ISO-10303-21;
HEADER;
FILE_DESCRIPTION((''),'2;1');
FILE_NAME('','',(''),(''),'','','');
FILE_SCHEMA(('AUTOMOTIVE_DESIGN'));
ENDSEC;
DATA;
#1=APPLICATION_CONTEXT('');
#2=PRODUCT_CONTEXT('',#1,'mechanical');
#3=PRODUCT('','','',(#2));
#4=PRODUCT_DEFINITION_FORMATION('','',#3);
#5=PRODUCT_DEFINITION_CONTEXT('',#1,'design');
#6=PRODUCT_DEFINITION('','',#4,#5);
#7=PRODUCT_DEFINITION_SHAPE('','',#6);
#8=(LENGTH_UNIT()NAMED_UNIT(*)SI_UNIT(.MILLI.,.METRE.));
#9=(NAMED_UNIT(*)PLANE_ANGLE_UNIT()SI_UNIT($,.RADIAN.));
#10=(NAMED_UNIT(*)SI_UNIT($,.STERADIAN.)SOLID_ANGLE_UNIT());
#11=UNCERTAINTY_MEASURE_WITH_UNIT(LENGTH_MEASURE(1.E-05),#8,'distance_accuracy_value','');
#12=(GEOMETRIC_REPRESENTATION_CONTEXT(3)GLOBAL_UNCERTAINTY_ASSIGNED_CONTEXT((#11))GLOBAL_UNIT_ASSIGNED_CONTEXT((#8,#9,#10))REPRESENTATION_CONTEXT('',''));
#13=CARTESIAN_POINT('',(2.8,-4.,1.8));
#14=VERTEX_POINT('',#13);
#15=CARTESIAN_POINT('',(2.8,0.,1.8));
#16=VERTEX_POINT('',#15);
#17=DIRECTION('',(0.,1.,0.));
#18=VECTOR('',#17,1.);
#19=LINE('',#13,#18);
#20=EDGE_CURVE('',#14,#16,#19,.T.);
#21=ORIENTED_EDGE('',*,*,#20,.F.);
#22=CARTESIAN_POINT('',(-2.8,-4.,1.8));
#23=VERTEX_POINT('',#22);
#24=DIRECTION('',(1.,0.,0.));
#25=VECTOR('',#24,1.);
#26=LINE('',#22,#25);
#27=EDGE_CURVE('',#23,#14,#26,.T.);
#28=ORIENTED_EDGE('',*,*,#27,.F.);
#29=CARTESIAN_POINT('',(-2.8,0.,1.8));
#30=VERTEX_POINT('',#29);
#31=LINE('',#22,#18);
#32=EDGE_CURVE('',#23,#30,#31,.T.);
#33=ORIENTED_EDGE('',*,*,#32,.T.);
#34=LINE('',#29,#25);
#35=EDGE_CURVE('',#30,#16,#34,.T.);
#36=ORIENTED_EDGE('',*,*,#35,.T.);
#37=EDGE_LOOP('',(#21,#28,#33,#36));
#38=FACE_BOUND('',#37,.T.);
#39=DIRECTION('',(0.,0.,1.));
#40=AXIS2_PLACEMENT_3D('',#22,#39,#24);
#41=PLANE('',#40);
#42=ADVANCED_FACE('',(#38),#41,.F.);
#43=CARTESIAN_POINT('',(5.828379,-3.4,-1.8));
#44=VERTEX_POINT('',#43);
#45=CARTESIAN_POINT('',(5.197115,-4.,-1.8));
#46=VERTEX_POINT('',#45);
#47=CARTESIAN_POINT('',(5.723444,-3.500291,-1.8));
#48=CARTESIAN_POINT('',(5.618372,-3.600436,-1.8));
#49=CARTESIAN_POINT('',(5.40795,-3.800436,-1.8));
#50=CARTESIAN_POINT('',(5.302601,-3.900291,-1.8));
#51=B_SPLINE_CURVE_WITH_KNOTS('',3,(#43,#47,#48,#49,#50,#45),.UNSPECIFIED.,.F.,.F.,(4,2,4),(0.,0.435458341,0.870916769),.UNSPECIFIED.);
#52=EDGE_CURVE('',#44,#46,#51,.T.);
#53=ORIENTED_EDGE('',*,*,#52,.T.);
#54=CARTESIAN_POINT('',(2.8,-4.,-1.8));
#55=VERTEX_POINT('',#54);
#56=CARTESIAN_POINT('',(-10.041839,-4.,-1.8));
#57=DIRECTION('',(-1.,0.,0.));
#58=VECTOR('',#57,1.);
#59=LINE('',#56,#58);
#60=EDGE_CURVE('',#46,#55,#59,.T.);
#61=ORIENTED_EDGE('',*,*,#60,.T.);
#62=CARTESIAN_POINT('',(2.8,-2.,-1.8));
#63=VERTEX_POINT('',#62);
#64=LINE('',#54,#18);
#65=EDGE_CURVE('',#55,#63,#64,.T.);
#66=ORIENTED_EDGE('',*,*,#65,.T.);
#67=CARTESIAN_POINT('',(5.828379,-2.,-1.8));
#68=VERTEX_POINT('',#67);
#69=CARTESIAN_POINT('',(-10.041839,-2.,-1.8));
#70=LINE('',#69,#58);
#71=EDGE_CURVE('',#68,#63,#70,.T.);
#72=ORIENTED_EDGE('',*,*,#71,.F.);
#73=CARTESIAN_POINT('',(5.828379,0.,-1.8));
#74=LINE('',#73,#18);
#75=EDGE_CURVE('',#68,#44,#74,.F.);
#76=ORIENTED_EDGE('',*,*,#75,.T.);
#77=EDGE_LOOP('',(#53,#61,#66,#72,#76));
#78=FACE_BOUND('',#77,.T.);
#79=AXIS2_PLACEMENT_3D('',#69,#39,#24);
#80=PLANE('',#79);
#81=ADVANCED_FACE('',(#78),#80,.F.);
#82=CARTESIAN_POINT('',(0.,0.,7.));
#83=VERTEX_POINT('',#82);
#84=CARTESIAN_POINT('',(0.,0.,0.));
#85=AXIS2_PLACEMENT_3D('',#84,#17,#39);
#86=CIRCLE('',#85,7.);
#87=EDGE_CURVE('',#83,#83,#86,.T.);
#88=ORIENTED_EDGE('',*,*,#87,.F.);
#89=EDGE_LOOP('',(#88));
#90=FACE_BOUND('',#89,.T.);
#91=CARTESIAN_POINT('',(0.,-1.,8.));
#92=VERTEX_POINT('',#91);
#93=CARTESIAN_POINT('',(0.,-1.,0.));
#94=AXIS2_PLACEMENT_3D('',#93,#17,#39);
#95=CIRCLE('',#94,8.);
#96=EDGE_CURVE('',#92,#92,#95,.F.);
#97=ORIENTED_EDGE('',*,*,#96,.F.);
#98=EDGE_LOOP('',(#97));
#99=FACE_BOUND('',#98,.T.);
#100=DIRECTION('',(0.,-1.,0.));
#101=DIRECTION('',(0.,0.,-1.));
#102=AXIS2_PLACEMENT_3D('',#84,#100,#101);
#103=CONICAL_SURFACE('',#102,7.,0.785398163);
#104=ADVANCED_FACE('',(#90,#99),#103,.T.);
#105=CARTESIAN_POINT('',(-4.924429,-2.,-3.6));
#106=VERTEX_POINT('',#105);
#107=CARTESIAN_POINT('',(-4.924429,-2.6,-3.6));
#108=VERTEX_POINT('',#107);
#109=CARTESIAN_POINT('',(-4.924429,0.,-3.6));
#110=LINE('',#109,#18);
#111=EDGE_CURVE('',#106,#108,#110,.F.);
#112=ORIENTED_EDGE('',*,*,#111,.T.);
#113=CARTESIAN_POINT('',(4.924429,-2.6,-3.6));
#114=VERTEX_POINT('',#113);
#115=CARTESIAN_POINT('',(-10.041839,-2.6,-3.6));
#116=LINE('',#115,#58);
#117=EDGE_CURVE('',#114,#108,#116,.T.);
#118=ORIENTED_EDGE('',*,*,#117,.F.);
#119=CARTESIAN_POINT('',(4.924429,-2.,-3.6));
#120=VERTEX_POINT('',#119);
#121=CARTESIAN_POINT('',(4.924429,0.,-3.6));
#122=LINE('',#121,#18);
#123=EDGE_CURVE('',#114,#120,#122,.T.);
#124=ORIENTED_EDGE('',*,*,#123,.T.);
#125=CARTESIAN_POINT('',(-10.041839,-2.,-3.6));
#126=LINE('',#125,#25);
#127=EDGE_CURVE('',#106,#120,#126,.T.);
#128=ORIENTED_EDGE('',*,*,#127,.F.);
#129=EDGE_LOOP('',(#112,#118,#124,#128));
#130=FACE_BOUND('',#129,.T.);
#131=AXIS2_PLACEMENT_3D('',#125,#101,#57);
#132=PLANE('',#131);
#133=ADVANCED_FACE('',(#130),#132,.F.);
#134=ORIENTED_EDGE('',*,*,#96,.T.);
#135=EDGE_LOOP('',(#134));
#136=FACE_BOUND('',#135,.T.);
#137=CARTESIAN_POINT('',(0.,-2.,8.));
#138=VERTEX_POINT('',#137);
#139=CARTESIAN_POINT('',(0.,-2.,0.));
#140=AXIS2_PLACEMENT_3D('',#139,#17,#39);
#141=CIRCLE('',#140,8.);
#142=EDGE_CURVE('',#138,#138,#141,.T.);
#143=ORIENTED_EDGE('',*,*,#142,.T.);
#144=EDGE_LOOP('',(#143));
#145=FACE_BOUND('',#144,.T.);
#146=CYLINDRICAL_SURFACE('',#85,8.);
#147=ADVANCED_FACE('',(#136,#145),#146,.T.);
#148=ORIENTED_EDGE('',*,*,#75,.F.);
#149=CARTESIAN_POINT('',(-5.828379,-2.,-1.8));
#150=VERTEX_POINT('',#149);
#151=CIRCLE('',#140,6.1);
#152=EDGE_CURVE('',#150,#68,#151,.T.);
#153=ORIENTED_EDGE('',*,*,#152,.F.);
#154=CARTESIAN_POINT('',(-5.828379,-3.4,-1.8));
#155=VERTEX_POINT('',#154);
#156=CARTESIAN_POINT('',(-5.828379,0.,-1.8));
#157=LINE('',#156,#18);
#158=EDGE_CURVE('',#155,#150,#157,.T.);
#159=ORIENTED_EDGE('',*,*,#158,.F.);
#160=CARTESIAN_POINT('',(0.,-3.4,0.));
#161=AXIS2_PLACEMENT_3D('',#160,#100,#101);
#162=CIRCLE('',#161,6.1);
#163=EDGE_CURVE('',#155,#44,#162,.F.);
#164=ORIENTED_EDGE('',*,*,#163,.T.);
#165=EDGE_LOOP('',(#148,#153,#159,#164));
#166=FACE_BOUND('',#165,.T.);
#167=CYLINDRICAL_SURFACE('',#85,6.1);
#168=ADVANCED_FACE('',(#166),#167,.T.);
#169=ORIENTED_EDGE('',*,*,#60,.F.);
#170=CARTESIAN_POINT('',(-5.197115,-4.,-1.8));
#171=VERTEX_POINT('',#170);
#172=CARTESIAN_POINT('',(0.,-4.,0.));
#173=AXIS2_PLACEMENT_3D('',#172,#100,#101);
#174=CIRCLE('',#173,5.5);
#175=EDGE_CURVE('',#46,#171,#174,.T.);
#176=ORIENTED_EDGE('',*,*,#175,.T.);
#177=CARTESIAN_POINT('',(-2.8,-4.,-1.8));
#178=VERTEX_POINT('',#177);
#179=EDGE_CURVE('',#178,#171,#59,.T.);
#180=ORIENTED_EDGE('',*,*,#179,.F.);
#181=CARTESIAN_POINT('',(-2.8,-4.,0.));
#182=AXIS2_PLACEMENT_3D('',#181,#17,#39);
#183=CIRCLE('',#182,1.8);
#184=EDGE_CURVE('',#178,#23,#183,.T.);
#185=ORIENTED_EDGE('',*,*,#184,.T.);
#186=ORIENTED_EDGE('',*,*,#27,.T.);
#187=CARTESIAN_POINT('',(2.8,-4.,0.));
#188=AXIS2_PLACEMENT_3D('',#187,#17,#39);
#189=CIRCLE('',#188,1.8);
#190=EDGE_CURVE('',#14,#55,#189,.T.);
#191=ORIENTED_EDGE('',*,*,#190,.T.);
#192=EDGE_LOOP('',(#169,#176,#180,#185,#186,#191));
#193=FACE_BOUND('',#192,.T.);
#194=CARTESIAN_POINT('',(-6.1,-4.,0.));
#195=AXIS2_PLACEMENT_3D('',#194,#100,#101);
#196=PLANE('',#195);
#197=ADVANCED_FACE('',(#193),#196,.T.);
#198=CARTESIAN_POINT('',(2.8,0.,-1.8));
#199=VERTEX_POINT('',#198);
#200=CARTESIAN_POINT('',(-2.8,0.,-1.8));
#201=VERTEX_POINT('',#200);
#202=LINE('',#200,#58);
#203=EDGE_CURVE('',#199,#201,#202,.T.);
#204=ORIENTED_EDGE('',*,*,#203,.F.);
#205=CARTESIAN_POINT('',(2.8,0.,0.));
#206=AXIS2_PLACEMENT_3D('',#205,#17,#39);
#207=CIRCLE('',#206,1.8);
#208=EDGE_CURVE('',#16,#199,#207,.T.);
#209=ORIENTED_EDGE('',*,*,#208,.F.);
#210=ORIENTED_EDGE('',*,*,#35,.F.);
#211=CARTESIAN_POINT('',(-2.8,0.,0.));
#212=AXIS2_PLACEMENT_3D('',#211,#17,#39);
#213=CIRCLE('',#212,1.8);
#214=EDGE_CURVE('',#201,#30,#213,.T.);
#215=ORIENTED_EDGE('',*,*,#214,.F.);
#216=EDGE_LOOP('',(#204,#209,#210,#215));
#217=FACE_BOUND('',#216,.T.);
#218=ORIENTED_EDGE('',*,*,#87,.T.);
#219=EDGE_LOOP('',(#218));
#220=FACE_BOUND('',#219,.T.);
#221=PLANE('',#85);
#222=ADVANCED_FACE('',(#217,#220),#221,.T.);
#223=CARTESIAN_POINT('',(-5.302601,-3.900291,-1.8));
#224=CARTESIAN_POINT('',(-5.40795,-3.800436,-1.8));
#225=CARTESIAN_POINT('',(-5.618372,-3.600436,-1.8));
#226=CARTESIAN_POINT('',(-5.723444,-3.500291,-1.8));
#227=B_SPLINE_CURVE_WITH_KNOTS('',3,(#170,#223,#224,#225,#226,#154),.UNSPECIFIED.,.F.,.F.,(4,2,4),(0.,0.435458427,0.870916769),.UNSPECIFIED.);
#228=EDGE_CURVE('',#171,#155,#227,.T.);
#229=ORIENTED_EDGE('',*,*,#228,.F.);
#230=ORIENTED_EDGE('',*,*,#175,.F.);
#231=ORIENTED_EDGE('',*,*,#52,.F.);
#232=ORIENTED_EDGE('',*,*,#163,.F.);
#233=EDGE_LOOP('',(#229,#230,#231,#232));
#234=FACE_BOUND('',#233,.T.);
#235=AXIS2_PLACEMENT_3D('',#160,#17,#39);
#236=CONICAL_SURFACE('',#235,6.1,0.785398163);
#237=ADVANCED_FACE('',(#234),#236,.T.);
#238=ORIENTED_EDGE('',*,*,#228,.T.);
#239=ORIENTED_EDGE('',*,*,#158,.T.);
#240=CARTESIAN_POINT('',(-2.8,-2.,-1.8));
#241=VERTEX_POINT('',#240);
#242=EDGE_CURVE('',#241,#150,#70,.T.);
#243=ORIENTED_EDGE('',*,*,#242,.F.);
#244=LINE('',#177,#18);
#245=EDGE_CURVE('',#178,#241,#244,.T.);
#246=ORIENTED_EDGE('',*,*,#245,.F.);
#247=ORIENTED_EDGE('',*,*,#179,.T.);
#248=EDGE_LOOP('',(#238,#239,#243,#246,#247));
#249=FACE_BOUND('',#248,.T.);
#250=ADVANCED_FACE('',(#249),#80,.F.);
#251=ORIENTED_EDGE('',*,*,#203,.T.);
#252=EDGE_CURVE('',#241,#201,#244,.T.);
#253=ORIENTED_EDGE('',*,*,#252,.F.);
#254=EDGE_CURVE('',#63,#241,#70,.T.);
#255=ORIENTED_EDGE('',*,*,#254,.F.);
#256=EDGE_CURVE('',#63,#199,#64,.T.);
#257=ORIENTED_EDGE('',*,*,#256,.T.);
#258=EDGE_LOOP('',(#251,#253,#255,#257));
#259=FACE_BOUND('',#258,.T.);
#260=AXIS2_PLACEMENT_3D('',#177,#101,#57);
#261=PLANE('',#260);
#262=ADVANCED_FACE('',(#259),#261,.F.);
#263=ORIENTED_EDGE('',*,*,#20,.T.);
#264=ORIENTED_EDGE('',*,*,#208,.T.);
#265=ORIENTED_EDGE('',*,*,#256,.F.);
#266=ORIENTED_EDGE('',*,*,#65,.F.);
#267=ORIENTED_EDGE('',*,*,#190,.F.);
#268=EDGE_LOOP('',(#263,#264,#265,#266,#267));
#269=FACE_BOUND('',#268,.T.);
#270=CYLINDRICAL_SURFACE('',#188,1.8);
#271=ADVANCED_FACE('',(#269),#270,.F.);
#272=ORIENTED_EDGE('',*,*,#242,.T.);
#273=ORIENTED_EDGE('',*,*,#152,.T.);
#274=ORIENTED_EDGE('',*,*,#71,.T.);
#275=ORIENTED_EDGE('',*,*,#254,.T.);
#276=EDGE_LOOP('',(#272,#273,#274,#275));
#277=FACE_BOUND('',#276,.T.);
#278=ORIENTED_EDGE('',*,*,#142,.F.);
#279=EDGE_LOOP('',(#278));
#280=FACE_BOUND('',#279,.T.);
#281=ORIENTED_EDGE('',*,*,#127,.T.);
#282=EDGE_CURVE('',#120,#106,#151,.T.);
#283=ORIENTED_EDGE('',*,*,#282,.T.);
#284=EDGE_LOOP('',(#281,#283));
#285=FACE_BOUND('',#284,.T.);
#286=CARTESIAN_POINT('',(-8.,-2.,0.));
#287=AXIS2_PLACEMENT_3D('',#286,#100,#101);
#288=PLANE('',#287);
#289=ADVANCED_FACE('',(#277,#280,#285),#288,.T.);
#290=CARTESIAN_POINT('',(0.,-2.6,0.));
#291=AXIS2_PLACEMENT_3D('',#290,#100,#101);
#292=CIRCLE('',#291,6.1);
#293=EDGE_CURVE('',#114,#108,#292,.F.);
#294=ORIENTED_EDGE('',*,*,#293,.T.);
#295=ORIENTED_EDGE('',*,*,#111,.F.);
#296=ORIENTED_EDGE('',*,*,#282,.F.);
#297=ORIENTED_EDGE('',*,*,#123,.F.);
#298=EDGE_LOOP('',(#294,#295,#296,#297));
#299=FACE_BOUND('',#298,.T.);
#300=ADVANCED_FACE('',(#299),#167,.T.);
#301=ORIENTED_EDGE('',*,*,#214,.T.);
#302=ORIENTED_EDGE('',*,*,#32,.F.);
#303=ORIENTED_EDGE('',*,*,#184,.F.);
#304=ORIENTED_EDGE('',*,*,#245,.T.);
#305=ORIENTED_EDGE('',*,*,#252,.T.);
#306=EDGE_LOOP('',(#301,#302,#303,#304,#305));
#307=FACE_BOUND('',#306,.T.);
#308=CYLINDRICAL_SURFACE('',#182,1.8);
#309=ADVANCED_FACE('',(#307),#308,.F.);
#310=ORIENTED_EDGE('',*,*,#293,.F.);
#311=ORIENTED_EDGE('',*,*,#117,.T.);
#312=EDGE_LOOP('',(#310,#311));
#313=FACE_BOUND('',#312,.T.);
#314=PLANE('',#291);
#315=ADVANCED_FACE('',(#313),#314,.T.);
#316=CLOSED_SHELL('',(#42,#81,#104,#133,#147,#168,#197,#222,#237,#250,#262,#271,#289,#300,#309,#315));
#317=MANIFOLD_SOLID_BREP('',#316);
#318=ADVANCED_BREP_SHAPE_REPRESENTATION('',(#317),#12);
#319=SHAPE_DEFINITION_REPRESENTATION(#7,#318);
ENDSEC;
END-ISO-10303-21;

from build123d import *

# Parameters (mm, degrees)
CUT_EXTRUDE1_DEPTH = 13
SKETCH4_W          = 21.205208
SKETCH4_H          = 1.8
CUT_EXTRUDE2_DEPTH = 2
SKETCH5_W          = 20.395214747
SKETCH5_H          = 5.649183718
CUT_EXTRUDE3_DEPTH = 1.4
CHAMFER1_SIZE      = 1
CHAMFER2_SIZE      = 0.6


with BuildPart() as part:
    # Sketch1 → Revolve1 (revolve)
    with BuildSketch(Plane.XY, mode=Mode.PRIVATE) as revolve1_sk:
        Polygon((0, 0), (-8, 0), (-8, -2), (-6.1, -2), (-6.1, -4), (0, -4), align=None)
    revolve(revolve1_sk.sketch.rotate(Axis((0, 0, 0), (0, -1, 0)), 270), axis=Axis((0, 0, 0), (0, -1, 0)))

    # Sketch3 → Cut-Extrude1 (cut, through all)
    with BuildSketch(Plane(origin=(0, 0, 0), x_dir=(1, 0, 0), z_dir=(0, 1, 0))):
        with BuildLine():
            Line((-2.8, 1.8), (2.8, 1.8))
            ThreePointArc((2.8, 1.8), (4.6, 0), (2.8, -1.8))
            Line((2.8, -1.8), (-2.8, -1.8))
            ThreePointArc((-2.8, -1.8), (-4.6, 0), (-2.8, 1.8))
        make_face()
    extrude(amount=-CUT_EXTRUDE1_DEPTH, mode=Mode.SUBTRACT)

    # Sketch4 → Cut-Extrude2 (cut)
    with BuildSketch(Plane.XZ.offset(4)):
        with Locations((0.56076456, -2.7)):
            Rectangle(SKETCH4_W, SKETCH4_H)
    extrude(amount=-CUT_EXTRUDE2_DEPTH, mode=Mode.SUBTRACT)

    # Sketch5 → Cut-Extrude3 (cut)
    with BuildSketch(Plane.XZ.offset(4)):
        with Locations((-0.031153587, -4.97418934)):
            Rectangle(SKETCH5_W, SKETCH5_H)
    extrude(amount=-CUT_EXTRUDE3_DEPTH, mode=Mode.SUBTRACT)

    # Chamfer1
    chamfer1_edges = [part.edges().sort_by_distance(p)[0] for p in [
        (0, 0, -8),
    ]]
    chamfer(chamfer1_edges, length=CHAMFER1_SIZE)

    # Chamfer2
    chamfer2_edges = [part.edges().sort_by_distance(p)[0] for p in [
        (0, -4, 6.1),
    ]]
    chamfer(chamfer2_edges, length=CHAMFER2_SIZE)


solid = part.part
